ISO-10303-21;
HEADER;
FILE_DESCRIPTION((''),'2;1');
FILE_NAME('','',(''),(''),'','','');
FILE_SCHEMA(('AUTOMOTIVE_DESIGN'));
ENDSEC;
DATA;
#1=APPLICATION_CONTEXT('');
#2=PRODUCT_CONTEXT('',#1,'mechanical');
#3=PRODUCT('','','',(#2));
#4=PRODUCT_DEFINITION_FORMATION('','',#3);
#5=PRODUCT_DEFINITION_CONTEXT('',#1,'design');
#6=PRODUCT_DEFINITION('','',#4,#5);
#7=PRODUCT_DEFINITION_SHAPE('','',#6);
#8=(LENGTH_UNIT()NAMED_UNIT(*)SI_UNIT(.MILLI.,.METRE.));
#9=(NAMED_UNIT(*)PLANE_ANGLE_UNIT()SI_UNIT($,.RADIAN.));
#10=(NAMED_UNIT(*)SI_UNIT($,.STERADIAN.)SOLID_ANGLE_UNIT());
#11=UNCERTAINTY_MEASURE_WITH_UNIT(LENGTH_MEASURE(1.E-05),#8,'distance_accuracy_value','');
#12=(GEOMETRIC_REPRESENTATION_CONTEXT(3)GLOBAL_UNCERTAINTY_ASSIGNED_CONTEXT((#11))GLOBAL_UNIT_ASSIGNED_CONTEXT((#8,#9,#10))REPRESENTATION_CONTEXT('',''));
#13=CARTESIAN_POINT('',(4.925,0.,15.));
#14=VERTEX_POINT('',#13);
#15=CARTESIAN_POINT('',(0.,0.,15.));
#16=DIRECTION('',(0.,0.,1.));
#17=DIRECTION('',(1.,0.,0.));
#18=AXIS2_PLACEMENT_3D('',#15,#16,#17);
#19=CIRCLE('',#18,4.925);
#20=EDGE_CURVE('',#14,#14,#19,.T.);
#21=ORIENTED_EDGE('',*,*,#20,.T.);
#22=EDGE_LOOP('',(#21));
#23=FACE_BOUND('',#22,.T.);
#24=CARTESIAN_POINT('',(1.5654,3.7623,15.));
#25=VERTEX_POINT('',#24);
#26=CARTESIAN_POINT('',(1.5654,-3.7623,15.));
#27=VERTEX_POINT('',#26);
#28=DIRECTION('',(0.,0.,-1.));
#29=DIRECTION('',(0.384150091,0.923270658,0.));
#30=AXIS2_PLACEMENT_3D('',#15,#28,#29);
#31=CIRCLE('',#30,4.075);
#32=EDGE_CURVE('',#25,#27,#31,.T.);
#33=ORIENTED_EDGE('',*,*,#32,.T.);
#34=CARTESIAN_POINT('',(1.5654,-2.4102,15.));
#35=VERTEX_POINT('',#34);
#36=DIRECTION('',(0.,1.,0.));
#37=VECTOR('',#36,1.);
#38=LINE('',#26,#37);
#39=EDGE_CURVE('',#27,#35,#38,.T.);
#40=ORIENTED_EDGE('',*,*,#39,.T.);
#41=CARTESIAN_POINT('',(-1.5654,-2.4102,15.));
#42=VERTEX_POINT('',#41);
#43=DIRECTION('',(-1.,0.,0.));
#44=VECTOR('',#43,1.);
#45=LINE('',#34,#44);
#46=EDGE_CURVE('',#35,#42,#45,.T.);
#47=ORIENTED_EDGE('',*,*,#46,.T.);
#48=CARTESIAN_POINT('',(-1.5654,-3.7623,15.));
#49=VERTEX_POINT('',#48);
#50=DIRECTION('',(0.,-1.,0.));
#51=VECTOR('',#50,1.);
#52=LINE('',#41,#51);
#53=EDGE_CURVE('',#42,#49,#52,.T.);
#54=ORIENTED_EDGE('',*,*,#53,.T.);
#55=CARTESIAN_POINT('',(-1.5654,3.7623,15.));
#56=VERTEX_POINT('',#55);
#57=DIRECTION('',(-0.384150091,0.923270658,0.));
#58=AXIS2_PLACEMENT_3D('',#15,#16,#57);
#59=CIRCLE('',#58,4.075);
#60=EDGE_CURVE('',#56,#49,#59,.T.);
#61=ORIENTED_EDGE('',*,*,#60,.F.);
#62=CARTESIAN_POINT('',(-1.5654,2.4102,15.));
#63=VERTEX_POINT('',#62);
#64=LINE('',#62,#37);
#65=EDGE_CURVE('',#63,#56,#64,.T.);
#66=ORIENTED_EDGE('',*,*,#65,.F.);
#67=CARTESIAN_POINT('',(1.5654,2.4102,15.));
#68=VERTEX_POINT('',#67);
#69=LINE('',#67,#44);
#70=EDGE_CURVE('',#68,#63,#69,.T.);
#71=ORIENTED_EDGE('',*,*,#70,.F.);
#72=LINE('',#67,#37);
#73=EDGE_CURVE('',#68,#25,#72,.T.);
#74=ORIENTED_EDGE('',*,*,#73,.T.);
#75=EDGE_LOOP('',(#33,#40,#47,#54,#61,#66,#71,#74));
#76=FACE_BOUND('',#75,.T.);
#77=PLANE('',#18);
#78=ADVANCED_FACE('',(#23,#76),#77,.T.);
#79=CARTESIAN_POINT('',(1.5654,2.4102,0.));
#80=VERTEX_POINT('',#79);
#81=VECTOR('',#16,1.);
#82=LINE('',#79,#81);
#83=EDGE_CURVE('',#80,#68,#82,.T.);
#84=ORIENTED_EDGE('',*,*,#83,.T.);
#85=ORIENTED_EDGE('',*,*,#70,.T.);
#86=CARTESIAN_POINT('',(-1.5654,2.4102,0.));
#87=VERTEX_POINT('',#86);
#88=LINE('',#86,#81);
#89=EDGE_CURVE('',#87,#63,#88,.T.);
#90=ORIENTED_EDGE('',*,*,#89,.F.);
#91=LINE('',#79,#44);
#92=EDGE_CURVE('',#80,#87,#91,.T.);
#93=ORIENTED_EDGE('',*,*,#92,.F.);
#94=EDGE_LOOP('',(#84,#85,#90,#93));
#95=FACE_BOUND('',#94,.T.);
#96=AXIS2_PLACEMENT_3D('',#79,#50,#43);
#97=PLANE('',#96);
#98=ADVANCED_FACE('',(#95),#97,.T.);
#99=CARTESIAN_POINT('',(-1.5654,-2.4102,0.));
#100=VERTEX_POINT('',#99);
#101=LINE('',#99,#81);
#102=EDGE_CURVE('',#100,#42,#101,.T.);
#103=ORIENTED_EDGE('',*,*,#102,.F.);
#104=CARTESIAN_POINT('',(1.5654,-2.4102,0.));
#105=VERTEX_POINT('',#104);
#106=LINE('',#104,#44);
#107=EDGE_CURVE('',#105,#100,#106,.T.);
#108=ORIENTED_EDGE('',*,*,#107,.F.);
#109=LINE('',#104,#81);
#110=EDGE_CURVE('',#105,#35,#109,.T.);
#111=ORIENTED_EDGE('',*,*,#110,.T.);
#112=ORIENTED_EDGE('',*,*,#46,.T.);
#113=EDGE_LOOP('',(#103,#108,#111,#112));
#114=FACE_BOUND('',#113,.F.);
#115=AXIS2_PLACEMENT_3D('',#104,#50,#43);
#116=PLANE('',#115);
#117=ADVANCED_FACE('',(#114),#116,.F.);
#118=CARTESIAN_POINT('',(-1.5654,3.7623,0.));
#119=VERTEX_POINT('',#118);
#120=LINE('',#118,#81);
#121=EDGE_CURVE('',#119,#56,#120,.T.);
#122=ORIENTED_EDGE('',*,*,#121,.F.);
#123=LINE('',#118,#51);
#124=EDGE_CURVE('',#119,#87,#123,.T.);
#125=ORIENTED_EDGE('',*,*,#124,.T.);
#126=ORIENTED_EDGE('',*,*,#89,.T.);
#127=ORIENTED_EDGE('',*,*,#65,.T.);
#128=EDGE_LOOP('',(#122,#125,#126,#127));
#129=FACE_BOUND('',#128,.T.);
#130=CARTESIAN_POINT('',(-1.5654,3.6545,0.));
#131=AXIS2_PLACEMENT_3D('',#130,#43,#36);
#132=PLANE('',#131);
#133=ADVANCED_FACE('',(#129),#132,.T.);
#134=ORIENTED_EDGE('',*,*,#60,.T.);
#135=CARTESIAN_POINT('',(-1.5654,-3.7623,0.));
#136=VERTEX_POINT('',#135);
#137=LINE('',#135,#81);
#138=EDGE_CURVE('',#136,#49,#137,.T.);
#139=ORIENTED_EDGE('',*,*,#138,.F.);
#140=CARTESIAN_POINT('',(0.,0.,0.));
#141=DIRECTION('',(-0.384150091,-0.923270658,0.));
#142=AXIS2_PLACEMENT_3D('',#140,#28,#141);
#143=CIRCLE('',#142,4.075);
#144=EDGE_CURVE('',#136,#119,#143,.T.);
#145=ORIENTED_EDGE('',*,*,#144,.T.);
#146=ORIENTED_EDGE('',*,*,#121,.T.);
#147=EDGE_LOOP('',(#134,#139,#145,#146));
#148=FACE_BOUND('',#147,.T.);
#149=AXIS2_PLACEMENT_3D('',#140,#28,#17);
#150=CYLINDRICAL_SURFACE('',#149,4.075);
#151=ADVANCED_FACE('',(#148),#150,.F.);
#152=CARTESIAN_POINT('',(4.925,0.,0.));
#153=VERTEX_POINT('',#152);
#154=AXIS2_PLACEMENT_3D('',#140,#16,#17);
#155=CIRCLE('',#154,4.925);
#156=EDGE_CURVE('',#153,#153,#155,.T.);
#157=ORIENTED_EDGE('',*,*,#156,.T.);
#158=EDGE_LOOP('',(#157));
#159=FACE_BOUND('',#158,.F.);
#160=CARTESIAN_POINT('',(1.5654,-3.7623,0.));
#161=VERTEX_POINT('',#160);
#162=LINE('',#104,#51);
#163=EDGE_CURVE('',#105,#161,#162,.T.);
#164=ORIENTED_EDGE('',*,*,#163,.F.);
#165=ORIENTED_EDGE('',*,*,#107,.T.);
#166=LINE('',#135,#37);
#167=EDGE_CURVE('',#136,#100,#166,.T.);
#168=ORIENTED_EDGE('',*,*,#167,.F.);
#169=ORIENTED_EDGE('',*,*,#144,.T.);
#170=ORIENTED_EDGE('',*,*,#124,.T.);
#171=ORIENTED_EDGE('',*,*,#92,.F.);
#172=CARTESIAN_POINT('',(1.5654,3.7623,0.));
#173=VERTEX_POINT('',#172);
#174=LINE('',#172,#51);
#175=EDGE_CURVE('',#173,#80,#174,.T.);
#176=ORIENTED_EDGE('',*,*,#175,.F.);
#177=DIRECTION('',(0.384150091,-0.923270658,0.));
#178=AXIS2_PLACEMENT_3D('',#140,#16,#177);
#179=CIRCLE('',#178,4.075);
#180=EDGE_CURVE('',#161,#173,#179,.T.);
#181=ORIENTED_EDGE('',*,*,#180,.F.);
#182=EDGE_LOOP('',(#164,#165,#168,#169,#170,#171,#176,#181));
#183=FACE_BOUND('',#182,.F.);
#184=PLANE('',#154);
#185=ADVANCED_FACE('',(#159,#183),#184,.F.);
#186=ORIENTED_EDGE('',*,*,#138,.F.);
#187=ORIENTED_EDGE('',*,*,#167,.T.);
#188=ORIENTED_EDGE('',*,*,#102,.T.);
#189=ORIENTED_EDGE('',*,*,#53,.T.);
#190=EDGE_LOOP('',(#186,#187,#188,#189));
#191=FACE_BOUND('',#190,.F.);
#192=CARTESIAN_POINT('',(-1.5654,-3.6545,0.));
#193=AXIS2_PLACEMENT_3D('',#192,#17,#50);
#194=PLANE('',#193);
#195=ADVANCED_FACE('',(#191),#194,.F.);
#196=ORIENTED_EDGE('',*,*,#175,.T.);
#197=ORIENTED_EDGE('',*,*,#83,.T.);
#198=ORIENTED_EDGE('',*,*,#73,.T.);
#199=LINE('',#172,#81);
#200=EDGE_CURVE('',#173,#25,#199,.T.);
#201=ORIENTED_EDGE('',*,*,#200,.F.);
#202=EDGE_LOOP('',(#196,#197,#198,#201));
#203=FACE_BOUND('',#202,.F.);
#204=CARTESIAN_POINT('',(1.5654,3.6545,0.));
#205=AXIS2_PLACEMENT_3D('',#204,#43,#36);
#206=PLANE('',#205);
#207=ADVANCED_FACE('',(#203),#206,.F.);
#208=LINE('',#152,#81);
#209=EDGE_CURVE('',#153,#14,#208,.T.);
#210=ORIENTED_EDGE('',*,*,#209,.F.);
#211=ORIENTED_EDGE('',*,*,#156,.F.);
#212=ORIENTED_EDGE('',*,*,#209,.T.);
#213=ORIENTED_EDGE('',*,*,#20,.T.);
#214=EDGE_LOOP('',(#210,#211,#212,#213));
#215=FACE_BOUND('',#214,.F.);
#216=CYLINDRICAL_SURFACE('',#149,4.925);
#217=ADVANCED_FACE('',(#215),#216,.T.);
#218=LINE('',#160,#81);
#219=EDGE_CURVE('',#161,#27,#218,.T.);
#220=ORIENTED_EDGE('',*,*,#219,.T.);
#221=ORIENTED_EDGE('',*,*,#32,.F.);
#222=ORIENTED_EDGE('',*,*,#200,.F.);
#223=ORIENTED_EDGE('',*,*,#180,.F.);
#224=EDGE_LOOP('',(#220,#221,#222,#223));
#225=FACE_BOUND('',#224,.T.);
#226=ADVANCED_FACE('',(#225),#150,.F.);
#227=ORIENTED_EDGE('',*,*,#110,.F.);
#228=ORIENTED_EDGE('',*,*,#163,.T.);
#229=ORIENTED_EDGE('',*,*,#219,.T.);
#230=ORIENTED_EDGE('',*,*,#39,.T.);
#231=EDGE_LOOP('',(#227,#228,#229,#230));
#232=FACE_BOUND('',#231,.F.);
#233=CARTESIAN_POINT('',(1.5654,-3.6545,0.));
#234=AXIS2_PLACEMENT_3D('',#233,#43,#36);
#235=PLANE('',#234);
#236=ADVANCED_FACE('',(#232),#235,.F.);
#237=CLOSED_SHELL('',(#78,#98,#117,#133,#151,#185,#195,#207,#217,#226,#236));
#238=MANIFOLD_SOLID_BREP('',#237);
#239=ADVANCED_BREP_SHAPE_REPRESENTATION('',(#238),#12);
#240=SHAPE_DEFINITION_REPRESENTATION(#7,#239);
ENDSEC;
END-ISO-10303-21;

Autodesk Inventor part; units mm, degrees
ref_plane "YZ Plane" through (0, 0, 0) normal (1, 0, 0) x (0, 1, 0)
ref_plane "XZ Plane" through (0, 0, 0) normal (0, 1, 0) x (-1, 0, 0)
ref_plane "XY Plane" through (0, 0, 0) normal (0, 0, 1) x (1, 0, 0)
sketch "Sketch1" plane through (0, 0, 0) normal (0, 0, 1) x (1, 0, 0)
  line L0 (-3.9756, 0) -> (3.9756, 0)
  arc A0 (3.9756, 0) -> (1.5654, 3.6545) centre (0, 0) ccw
  line L1 (1.5654, 3.6545) -> (1.5654, 2.4102)
  line L2 (1.5654, 2.4102) -> (-1.5654, 2.4102)
  line L3 (-1.5654, 2.4102) -> (-1.5654, 3.6545)
  arc A1 (-1.5654, 3.6545) -> (-3.9756, 0) centre (0, 0) ccw
  circle A2 centre (0, 0) radius 4.075
  circle A3 centre (0, 0) radius 4.925
  line L4 (-1.5654, 3.6545) -> (-1.5654, 3.7623)
  line L5 (1.5654, 3.6545) -> (1.5654, 3.7623)
  line L6 (-4.075, 0) -> (4.2123, 0)
  line L7 (1.5654, -3.6545) -> (1.5654, -2.4102)
  line L8 (1.5654, -2.4102) -> (-1.5654, -2.4102)
  line L9 (-1.5654, -2.4102) -> (-1.5654, -3.6545)
  line L10 (-1.5654, -3.6545) -> (-1.5654, -3.7623)
  line L11 (1.5654, -3.6545) -> (1.5654, -3.7623)
  point P0 (0, 0)
  dimension "d0" = 8.15
  dimension "d1" = 9.85
extrude "Extrusion1" add sketch "Sketch1" along normal blind 15 contours L4 A2 L5 L1 L2 L3 | L10 L9 L8 L7 L11 A2 | A3
properties part number "Axel_connector"
